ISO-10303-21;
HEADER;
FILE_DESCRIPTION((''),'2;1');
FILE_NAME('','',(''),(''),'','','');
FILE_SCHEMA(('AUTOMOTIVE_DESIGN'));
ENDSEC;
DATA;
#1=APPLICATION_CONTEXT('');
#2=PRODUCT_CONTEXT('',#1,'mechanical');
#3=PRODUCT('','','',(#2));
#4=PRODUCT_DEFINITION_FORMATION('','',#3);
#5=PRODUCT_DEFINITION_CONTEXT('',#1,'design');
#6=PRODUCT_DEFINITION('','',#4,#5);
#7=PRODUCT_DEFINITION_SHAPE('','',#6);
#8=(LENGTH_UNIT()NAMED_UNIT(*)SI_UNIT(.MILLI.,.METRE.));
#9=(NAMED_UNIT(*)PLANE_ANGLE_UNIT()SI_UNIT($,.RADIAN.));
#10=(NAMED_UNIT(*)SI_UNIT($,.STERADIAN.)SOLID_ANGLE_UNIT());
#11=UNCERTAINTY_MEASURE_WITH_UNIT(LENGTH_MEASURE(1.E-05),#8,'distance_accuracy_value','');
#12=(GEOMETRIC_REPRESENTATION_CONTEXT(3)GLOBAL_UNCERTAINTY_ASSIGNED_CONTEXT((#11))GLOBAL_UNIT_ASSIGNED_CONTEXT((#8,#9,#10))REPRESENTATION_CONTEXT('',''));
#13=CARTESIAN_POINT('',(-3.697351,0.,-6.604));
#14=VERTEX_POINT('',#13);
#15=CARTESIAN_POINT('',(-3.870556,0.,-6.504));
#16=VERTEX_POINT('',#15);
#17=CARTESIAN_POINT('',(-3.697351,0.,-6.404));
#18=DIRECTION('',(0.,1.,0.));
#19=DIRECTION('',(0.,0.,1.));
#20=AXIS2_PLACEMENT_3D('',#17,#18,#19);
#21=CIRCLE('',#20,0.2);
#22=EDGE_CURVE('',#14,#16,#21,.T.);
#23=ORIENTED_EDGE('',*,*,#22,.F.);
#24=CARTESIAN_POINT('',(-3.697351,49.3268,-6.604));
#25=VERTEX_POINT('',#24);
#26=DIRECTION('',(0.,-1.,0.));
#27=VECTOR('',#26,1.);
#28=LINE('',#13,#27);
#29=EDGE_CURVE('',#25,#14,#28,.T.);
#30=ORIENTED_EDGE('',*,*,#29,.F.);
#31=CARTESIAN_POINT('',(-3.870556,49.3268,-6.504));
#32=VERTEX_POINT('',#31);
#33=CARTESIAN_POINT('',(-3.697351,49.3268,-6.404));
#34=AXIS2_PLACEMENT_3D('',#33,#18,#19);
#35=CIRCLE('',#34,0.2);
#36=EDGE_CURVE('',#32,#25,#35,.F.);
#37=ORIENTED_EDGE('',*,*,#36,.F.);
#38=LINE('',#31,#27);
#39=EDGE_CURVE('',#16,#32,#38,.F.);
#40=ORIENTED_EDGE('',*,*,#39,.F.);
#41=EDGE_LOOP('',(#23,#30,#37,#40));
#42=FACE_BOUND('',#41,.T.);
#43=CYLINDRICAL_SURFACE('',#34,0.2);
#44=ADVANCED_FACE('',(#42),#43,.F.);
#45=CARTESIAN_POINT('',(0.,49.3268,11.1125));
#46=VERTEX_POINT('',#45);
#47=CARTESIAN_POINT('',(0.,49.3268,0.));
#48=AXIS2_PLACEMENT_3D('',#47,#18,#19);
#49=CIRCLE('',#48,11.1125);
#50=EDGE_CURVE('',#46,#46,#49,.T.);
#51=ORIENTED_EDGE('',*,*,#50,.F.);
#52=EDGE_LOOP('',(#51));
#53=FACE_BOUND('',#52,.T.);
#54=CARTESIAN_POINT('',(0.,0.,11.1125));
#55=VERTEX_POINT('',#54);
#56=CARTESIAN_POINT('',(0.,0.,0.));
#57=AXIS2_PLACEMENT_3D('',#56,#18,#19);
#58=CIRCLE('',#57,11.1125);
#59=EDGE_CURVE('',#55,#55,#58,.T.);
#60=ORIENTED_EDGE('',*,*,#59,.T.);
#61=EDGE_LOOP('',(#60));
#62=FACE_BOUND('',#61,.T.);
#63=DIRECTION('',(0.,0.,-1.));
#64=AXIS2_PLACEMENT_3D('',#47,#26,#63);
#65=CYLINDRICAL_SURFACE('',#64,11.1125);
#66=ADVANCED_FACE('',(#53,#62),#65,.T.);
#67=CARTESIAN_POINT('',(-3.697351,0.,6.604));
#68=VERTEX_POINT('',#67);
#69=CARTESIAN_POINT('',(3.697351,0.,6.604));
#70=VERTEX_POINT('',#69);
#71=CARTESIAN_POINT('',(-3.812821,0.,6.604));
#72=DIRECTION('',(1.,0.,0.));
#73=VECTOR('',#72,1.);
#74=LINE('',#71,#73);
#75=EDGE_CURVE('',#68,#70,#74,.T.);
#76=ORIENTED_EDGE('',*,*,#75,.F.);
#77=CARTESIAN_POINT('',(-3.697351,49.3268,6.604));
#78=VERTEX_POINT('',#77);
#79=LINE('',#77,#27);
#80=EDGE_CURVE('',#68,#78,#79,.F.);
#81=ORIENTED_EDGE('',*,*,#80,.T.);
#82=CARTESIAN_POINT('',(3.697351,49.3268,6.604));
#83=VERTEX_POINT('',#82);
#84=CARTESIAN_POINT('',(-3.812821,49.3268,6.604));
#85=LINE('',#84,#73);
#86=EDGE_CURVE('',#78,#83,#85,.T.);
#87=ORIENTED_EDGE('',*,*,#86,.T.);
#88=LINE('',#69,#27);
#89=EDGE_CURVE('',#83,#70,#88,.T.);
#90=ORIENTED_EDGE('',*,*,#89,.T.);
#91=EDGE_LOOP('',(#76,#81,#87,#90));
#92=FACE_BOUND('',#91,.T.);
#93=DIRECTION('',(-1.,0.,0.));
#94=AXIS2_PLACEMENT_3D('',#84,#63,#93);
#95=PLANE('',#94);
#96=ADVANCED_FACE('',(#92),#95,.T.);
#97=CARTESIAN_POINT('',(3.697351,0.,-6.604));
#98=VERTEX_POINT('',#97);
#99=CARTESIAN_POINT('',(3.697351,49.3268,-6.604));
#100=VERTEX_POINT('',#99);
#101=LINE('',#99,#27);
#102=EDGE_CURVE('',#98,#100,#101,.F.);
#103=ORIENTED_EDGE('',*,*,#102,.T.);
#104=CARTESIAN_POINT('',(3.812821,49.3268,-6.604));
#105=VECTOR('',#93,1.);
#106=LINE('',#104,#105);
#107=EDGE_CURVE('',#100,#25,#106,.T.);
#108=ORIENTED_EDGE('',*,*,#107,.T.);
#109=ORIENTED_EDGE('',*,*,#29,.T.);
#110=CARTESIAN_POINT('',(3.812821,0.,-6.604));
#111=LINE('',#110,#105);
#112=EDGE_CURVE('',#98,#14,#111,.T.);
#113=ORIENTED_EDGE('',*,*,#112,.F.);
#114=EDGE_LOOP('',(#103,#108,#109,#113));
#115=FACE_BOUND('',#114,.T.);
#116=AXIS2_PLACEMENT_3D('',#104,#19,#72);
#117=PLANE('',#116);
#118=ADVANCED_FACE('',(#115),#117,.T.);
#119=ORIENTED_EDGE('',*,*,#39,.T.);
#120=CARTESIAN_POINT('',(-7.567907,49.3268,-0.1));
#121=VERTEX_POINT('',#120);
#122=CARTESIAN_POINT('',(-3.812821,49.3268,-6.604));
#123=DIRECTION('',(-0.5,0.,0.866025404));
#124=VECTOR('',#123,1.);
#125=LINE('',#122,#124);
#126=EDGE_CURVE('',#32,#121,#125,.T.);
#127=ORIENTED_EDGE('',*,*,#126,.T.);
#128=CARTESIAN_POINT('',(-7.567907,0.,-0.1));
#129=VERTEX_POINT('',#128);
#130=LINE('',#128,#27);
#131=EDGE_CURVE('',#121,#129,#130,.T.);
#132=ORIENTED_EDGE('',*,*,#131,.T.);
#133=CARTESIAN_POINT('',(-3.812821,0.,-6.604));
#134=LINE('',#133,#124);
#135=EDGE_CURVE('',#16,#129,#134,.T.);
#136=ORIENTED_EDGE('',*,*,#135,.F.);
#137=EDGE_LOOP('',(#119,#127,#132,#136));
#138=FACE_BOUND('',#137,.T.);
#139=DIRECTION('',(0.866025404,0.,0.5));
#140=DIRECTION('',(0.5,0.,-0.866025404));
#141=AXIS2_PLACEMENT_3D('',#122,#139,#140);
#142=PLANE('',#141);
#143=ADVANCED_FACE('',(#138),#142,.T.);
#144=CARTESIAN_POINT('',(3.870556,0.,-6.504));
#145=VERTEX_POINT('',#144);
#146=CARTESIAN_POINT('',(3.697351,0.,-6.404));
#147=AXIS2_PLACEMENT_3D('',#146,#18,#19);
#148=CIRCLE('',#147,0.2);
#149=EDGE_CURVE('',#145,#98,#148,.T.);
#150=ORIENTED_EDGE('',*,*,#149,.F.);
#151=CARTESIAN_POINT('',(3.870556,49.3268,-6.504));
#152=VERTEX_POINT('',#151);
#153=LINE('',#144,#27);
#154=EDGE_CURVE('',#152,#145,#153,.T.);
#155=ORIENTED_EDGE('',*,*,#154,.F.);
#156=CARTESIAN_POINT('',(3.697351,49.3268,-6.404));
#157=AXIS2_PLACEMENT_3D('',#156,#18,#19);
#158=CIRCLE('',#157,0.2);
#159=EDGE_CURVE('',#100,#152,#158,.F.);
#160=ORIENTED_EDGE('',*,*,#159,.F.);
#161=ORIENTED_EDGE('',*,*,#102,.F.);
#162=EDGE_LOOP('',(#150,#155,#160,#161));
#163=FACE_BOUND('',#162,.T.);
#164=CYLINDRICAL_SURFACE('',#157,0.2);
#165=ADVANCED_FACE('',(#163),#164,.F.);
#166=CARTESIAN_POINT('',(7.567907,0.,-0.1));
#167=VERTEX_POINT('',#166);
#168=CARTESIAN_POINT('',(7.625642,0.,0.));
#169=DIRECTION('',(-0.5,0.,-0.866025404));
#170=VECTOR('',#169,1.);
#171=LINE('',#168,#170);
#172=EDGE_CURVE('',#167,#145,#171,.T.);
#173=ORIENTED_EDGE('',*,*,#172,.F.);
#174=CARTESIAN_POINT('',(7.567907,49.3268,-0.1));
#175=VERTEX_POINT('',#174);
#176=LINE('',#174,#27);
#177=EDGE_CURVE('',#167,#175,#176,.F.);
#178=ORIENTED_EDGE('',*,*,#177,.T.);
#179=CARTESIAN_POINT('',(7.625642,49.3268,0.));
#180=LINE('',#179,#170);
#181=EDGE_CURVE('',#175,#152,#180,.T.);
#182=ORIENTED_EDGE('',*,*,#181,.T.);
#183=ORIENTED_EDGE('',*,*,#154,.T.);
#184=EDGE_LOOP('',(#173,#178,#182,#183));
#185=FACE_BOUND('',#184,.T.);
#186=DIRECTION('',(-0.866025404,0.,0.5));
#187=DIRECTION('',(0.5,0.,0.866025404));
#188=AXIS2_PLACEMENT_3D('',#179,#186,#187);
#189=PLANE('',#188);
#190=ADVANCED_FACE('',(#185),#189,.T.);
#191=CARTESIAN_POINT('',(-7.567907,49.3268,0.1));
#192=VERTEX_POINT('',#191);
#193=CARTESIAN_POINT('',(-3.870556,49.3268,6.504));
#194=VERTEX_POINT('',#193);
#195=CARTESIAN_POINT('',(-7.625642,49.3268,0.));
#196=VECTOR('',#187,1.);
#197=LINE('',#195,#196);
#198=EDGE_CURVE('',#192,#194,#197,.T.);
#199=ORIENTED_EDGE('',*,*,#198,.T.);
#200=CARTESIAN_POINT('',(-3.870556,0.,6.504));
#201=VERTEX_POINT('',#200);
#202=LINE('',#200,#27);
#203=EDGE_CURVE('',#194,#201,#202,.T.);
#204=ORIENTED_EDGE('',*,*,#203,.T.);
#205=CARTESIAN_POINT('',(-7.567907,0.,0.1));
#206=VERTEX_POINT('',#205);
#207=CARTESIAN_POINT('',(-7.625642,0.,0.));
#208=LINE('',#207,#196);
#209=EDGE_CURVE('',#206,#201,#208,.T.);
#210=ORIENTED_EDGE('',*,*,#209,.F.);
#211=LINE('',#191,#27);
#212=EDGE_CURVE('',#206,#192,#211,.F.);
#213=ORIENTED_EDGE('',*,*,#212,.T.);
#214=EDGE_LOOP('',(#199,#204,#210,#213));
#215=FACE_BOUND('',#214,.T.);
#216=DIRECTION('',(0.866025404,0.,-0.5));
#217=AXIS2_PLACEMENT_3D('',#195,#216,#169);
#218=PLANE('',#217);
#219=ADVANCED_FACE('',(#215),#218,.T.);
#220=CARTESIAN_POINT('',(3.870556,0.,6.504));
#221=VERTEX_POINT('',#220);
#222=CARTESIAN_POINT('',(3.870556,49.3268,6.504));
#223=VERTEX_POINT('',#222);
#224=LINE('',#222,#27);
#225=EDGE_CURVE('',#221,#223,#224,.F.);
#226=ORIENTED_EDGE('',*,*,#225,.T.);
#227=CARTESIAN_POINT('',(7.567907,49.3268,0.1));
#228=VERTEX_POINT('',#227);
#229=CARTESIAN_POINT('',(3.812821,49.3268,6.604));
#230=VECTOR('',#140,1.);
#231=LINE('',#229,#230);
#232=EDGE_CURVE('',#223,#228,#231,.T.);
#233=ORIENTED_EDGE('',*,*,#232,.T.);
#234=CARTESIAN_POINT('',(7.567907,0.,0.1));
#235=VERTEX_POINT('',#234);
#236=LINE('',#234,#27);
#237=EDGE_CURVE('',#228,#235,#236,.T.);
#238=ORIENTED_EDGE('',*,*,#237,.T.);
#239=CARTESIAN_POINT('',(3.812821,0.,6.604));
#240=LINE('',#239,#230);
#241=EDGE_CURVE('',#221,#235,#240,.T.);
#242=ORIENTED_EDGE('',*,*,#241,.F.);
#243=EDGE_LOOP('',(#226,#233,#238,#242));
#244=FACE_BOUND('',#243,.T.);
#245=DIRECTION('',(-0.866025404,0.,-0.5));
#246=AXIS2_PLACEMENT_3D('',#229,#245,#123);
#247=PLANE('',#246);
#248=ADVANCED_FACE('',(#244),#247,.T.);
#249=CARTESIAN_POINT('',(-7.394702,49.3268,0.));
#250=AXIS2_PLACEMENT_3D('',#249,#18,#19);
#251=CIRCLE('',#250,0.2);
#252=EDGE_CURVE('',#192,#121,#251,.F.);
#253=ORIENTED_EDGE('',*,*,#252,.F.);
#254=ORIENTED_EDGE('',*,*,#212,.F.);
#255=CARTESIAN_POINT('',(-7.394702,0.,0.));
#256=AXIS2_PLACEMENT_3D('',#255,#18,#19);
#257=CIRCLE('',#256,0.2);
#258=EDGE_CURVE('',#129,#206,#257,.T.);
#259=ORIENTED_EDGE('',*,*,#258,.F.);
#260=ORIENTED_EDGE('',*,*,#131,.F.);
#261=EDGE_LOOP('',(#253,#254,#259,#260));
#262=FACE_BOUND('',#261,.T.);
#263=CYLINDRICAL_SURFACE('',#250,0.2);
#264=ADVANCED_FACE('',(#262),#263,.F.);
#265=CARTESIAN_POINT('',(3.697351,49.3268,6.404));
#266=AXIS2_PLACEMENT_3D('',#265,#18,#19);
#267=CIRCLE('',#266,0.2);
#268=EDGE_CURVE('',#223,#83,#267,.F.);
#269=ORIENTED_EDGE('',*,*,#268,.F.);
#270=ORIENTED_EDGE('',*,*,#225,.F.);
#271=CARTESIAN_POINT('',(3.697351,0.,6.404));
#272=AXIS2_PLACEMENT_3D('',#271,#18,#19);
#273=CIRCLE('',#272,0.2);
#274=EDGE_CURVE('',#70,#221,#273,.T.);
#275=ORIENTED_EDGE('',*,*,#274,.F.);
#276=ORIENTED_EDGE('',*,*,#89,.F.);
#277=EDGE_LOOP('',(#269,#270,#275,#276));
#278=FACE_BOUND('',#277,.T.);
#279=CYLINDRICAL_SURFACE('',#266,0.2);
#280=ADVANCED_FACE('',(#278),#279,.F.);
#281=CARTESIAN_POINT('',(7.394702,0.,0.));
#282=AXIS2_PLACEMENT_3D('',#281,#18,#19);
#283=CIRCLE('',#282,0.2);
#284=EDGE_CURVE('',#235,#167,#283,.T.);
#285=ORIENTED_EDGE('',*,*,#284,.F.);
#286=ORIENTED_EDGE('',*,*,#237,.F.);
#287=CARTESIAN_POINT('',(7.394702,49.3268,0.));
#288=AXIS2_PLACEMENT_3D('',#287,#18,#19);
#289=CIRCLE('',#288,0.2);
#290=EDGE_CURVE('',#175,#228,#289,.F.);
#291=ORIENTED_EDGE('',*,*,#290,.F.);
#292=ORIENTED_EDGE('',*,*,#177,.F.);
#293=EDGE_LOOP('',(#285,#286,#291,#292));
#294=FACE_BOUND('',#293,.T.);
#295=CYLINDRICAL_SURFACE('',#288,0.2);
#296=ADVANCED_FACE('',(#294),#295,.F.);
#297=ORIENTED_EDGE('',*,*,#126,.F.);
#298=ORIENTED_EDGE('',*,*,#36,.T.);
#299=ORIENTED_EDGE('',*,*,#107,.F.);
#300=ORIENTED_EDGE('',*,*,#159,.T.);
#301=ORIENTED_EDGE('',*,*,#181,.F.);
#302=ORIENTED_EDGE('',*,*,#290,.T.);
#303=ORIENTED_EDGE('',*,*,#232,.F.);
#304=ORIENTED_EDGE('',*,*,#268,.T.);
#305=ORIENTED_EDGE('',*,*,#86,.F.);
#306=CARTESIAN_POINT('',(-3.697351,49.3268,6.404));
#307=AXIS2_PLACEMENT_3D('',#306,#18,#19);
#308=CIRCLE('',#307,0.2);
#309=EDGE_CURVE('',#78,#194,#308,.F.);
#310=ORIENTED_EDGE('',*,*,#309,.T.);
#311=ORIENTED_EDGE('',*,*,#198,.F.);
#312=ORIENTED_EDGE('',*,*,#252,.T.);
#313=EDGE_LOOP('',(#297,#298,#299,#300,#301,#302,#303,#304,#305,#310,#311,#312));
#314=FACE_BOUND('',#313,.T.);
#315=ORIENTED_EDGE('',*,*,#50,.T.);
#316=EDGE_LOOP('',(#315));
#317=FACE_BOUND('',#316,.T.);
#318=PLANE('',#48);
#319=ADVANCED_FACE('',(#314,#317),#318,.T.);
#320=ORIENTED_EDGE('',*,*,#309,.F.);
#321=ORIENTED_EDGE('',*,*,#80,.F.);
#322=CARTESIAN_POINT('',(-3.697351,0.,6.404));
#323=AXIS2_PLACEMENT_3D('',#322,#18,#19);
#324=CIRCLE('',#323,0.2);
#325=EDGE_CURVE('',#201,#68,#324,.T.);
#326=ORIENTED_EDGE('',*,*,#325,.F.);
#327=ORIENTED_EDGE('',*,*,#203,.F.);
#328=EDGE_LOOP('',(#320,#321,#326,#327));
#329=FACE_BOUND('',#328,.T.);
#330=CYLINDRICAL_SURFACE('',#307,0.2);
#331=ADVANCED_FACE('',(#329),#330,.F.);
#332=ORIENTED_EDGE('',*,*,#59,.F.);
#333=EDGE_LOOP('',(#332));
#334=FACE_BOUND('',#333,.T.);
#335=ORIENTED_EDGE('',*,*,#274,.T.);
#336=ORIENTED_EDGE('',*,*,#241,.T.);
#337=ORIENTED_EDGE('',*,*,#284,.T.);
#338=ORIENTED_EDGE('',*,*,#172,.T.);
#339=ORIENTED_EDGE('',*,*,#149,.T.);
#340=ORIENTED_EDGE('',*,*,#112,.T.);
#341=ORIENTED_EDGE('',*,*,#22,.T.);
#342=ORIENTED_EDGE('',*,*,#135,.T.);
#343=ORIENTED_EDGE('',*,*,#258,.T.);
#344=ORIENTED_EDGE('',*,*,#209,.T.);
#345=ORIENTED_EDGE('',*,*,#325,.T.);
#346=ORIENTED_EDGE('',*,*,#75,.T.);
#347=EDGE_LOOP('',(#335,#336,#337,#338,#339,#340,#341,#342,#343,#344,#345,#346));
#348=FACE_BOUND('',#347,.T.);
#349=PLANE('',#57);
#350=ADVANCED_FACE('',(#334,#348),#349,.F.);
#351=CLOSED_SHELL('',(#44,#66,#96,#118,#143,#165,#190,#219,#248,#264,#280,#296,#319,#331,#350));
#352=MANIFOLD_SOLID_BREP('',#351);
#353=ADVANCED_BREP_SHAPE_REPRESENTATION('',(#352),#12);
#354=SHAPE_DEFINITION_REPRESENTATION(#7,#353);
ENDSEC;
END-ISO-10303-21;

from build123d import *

# Parameters (mm, degrees)
SKETCH1_R           = 11.1125
BOSS_EXTRUDE1_DEPTH = 49.3268
FILLET1_R           = 0.2


with BuildPart() as part:
    # Sketch1 → Boss-Extrude1 (new body)
    with BuildSketch(Plane(origin=(0, 0, 0), x_dir=(1, 0, 0), z_dir=(0, 1, 0))):
        Circle(SKETCH1_R)
        Polygon((7.625642355, 0), (3.812821178, 6.604), (-3.812821178, 6.604), (-7.625642355, 0), (-3.812821178, -6.604), (3.812821178, -6.604), align=None, mode=Mode.SUBTRACT)
    extrude(amount=BOSS_EXTRUDE1_DEPTH)

    # Fillet1
    fillet1_edges = [part.edges().sort_by_distance(p)[0] for p in [
        (7.625642355, 24.6634, 0),
        (3.812821178, 24.6634, -6.604),
        (-3.812821178, 24.6634, -6.604),
        (-7.625642355, 24.6634, 0),
        (-3.812821178, 24.6634, 6.604),
        (3.812821178, 24.6634, 6.604),
    ]]
    fillet(fillet1_edges, radius=FILLET1_R)


solid = part.part
